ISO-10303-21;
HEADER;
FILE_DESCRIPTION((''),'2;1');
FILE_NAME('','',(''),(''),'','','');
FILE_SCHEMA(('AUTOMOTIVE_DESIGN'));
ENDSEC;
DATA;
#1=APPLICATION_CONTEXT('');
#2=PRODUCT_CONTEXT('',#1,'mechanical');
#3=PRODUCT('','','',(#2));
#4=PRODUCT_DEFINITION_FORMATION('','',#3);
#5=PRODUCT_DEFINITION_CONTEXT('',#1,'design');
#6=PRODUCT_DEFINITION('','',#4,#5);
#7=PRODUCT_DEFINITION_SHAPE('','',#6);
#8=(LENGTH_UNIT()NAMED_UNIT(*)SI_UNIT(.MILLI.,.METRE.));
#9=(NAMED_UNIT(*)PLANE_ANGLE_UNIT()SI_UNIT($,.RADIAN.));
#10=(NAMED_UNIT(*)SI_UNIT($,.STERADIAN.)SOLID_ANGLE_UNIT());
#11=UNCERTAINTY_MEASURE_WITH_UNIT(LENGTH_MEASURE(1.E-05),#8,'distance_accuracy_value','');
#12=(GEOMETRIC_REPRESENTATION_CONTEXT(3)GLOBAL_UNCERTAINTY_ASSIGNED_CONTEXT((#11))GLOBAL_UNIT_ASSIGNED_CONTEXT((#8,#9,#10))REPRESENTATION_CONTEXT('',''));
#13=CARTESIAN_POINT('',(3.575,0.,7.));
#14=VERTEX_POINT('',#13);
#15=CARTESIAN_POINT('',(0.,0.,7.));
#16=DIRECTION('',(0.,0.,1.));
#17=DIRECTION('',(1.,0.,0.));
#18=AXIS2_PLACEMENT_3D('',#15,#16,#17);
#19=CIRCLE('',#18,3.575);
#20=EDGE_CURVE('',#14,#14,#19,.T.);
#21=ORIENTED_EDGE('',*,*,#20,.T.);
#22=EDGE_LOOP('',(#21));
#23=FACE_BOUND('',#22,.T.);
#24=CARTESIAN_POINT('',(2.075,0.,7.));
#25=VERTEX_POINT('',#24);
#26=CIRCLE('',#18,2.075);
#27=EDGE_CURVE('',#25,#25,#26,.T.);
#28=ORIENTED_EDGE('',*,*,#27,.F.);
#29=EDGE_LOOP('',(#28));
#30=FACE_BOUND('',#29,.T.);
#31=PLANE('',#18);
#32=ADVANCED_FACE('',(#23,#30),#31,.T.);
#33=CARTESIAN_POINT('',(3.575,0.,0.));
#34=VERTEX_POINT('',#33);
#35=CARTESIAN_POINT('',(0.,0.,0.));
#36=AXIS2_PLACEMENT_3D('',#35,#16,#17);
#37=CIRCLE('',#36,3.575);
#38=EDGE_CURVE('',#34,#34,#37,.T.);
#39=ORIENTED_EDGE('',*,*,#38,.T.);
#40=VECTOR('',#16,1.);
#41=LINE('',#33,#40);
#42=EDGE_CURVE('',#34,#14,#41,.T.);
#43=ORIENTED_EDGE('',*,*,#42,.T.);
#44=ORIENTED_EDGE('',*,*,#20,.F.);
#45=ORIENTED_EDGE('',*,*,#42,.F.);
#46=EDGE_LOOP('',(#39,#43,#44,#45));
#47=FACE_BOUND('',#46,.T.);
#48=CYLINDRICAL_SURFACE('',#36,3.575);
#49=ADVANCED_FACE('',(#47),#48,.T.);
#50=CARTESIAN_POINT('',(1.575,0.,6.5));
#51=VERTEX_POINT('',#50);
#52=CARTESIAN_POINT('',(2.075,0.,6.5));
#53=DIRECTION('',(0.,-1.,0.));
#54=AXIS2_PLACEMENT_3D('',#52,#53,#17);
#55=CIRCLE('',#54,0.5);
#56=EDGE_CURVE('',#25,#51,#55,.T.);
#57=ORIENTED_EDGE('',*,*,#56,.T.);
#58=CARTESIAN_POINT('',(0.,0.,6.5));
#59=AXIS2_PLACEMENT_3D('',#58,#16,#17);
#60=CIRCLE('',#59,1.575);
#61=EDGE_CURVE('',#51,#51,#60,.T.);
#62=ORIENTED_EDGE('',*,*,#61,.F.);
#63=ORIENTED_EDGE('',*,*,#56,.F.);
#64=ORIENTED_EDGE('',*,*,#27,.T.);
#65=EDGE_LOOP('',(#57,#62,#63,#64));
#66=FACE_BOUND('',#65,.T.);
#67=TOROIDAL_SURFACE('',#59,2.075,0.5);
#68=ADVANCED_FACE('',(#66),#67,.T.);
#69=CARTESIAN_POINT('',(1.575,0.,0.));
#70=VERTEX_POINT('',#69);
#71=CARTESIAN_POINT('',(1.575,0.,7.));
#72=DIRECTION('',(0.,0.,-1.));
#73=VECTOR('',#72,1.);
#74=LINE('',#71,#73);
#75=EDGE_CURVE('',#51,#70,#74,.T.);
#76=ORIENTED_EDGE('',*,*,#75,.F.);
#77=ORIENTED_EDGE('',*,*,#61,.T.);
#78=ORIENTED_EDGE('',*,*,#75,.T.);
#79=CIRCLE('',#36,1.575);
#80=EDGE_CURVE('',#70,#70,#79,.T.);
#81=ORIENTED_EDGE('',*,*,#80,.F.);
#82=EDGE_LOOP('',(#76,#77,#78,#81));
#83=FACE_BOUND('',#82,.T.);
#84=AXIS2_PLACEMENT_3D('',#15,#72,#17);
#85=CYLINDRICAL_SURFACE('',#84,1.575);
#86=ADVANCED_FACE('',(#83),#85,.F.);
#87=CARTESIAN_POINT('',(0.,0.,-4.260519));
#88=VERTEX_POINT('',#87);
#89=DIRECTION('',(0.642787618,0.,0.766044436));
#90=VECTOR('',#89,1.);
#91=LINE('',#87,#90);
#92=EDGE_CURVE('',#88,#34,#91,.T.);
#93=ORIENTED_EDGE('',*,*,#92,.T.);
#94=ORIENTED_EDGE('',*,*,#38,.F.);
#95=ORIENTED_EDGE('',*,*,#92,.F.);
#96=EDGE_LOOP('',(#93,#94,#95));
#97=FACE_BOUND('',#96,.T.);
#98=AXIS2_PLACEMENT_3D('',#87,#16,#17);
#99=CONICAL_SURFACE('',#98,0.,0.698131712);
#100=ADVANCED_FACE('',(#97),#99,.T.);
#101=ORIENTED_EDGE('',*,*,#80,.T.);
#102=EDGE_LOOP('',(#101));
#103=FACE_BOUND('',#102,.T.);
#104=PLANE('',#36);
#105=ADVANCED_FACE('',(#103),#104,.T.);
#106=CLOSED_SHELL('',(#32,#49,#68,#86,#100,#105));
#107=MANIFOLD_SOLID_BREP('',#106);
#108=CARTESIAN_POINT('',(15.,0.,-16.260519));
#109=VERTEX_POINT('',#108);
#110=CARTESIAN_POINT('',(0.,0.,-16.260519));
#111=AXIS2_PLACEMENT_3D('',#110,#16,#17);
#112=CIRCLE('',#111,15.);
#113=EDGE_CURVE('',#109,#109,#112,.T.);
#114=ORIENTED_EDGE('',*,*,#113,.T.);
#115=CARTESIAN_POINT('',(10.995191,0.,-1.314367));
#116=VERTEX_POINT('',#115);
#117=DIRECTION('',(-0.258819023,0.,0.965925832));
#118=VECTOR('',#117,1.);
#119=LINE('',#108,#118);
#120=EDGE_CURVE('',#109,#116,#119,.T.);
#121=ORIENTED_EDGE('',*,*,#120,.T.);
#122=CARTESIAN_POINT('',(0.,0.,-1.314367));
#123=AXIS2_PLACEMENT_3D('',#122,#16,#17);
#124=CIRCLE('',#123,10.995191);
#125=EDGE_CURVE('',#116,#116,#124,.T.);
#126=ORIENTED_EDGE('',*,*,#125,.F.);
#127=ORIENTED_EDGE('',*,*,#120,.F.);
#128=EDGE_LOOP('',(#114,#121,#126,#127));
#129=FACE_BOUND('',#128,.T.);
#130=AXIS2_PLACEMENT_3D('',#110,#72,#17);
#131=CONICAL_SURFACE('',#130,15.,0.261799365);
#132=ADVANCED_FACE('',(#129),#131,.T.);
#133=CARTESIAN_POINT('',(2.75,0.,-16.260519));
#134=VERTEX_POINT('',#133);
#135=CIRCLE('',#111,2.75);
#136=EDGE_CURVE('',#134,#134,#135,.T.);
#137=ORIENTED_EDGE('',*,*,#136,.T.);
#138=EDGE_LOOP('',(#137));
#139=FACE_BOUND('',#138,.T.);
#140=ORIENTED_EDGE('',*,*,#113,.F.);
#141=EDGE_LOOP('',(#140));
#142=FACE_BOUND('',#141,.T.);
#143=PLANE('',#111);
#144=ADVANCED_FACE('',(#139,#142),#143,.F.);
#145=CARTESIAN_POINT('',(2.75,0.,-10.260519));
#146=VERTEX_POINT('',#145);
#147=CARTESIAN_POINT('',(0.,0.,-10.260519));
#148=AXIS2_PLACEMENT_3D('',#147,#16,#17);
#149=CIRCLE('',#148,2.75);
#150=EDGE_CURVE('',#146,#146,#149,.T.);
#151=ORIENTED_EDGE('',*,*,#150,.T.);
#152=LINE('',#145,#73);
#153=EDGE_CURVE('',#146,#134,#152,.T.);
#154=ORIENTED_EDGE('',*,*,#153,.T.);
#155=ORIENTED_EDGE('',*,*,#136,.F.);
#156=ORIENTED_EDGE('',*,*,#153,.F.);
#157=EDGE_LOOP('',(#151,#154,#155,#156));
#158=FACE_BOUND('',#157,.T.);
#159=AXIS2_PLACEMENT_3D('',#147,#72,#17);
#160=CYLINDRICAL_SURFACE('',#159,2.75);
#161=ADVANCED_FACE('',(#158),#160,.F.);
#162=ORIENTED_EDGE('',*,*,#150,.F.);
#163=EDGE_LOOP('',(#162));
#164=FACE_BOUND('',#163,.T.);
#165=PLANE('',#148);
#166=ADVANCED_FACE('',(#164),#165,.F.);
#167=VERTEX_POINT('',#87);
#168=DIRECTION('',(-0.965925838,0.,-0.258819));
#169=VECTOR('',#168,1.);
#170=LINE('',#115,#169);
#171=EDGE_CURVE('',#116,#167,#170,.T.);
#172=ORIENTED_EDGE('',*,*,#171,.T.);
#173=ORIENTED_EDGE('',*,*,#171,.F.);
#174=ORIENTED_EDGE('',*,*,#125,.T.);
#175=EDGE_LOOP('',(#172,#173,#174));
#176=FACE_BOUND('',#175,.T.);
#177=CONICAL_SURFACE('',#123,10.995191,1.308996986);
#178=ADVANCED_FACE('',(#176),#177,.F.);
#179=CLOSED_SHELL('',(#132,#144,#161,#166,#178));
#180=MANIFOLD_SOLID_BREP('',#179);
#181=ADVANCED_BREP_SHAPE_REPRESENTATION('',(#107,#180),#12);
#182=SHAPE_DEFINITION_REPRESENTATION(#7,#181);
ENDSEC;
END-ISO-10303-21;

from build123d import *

# Parameters (mm, degrees)
F2_R = 0.5


with BuildPart() as f1:
    # F0 (on Front) → F1 (revolve)
    with BuildSketch(Plane.XZ):
        Polygon((10.995191, -1.314367), (0, -4.260519), (0, -10.260519), (2.75, -10.260519), (2.75, -16.260519), (15, -16.260519), align=None)
        Polygon((0, 0), (0, -4.260519), (3.575, 0), (3.575, 7), (1.575, 7), (1.575, 0), align=None)
    revolve(axis=Axis((0, 0, 2.189423), (0, 0, 1)))

    # F2
    f2_edges = [f1.edges().sort_by_distance(p)[0] for p in [
        (-1.575, 0, 7),
    ]]
    fillet(f2_edges, radius=F2_R)


solid = f1.part
